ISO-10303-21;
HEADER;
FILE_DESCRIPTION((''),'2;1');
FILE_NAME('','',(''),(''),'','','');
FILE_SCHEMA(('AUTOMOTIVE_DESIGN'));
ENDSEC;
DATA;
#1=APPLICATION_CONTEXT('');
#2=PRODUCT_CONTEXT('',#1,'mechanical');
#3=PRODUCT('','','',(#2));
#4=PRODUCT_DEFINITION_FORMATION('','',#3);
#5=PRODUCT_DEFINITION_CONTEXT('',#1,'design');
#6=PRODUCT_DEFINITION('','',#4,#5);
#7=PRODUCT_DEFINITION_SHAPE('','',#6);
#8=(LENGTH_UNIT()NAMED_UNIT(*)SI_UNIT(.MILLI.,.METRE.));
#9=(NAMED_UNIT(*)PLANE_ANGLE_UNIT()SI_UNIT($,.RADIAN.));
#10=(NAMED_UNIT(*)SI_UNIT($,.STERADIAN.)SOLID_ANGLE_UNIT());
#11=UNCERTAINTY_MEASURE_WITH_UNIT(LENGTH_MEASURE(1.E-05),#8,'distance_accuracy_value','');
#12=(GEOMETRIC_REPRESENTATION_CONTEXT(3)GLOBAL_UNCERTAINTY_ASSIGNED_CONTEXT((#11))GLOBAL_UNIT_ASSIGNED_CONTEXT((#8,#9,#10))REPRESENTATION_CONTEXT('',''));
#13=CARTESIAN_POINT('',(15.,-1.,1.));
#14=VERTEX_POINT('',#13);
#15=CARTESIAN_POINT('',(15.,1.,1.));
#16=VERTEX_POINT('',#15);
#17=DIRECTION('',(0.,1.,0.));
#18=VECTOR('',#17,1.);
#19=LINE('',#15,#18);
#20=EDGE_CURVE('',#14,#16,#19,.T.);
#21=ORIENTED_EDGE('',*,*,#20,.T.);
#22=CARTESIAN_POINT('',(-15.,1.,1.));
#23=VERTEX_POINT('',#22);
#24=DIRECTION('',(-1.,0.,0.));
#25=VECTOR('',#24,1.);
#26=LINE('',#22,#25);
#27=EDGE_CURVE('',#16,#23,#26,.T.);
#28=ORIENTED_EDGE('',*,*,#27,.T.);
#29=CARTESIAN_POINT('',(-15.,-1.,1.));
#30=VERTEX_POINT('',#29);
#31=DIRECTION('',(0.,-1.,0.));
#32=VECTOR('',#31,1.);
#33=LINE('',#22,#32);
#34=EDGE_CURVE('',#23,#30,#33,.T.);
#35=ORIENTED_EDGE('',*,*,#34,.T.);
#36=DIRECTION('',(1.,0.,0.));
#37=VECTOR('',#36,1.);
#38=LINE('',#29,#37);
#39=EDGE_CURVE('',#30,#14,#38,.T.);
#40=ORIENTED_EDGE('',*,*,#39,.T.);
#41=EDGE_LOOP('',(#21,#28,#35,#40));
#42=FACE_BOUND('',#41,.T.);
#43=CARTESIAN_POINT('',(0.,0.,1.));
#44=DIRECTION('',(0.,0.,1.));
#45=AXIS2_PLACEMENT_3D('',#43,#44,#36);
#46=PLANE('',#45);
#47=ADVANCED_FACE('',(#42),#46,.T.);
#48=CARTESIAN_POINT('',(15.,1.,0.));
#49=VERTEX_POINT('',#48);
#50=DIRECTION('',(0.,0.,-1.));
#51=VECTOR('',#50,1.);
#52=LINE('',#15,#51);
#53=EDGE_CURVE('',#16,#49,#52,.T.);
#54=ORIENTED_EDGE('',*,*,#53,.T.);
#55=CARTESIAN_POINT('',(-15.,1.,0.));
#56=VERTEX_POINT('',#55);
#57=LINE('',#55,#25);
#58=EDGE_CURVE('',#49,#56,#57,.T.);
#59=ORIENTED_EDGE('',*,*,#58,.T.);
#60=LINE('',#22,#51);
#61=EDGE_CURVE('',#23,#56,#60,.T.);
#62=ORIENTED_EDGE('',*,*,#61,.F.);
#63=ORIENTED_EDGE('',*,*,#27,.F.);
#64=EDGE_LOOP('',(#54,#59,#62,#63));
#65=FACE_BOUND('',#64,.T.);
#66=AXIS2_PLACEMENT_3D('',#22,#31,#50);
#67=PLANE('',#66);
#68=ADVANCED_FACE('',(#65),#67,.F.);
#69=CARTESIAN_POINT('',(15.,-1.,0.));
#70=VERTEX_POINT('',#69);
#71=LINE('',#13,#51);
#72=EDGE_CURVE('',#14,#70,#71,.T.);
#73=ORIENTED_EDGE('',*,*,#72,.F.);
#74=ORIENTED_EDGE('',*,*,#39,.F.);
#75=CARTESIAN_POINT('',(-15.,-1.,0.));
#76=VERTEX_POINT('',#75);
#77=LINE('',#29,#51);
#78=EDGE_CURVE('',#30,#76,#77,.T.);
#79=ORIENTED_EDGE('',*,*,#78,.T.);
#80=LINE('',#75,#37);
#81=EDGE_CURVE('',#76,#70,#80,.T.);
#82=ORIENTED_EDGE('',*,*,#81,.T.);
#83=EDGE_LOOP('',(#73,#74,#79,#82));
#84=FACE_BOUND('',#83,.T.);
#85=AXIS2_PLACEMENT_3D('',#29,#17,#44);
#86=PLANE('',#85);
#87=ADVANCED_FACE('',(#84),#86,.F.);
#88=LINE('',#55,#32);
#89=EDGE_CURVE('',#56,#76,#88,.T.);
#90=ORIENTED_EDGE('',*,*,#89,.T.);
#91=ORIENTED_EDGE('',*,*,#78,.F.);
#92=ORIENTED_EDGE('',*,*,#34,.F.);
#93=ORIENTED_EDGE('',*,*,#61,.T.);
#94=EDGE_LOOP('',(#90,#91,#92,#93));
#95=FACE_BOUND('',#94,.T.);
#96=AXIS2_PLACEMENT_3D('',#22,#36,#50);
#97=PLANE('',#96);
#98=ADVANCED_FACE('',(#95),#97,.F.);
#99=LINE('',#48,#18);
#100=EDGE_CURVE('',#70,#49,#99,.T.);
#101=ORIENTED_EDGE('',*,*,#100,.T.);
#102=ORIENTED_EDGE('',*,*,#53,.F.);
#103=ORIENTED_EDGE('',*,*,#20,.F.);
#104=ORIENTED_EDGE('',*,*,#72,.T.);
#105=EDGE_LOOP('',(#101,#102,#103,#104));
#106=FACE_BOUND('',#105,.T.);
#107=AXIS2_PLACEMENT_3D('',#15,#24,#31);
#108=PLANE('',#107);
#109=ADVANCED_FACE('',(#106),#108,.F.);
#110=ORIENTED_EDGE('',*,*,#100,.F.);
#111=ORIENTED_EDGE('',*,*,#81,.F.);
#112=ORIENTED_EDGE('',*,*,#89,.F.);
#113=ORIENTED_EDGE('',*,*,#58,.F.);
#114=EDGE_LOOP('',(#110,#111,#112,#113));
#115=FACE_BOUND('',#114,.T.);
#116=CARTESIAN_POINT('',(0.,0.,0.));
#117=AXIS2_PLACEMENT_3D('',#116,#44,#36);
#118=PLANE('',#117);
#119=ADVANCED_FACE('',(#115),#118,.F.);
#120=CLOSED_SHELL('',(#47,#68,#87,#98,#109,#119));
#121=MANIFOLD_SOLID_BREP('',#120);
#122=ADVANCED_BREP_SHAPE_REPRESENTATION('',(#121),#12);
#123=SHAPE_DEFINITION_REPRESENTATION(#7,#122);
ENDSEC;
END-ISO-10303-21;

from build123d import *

# Parameters (mm, degrees)
SKETCH1_W           = 30
SKETCH1_H           = 2
BOSS_EXTRUDE1_DEPTH = 1


with BuildPart() as part:
    # Sketch1 → Boss-Extrude1 (new body)
    with BuildSketch(Plane.XY):
        Rectangle(SKETCH1_W, SKETCH1_H)
    extrude(amount=BOSS_EXTRUDE1_DEPTH)


solid = part.part
